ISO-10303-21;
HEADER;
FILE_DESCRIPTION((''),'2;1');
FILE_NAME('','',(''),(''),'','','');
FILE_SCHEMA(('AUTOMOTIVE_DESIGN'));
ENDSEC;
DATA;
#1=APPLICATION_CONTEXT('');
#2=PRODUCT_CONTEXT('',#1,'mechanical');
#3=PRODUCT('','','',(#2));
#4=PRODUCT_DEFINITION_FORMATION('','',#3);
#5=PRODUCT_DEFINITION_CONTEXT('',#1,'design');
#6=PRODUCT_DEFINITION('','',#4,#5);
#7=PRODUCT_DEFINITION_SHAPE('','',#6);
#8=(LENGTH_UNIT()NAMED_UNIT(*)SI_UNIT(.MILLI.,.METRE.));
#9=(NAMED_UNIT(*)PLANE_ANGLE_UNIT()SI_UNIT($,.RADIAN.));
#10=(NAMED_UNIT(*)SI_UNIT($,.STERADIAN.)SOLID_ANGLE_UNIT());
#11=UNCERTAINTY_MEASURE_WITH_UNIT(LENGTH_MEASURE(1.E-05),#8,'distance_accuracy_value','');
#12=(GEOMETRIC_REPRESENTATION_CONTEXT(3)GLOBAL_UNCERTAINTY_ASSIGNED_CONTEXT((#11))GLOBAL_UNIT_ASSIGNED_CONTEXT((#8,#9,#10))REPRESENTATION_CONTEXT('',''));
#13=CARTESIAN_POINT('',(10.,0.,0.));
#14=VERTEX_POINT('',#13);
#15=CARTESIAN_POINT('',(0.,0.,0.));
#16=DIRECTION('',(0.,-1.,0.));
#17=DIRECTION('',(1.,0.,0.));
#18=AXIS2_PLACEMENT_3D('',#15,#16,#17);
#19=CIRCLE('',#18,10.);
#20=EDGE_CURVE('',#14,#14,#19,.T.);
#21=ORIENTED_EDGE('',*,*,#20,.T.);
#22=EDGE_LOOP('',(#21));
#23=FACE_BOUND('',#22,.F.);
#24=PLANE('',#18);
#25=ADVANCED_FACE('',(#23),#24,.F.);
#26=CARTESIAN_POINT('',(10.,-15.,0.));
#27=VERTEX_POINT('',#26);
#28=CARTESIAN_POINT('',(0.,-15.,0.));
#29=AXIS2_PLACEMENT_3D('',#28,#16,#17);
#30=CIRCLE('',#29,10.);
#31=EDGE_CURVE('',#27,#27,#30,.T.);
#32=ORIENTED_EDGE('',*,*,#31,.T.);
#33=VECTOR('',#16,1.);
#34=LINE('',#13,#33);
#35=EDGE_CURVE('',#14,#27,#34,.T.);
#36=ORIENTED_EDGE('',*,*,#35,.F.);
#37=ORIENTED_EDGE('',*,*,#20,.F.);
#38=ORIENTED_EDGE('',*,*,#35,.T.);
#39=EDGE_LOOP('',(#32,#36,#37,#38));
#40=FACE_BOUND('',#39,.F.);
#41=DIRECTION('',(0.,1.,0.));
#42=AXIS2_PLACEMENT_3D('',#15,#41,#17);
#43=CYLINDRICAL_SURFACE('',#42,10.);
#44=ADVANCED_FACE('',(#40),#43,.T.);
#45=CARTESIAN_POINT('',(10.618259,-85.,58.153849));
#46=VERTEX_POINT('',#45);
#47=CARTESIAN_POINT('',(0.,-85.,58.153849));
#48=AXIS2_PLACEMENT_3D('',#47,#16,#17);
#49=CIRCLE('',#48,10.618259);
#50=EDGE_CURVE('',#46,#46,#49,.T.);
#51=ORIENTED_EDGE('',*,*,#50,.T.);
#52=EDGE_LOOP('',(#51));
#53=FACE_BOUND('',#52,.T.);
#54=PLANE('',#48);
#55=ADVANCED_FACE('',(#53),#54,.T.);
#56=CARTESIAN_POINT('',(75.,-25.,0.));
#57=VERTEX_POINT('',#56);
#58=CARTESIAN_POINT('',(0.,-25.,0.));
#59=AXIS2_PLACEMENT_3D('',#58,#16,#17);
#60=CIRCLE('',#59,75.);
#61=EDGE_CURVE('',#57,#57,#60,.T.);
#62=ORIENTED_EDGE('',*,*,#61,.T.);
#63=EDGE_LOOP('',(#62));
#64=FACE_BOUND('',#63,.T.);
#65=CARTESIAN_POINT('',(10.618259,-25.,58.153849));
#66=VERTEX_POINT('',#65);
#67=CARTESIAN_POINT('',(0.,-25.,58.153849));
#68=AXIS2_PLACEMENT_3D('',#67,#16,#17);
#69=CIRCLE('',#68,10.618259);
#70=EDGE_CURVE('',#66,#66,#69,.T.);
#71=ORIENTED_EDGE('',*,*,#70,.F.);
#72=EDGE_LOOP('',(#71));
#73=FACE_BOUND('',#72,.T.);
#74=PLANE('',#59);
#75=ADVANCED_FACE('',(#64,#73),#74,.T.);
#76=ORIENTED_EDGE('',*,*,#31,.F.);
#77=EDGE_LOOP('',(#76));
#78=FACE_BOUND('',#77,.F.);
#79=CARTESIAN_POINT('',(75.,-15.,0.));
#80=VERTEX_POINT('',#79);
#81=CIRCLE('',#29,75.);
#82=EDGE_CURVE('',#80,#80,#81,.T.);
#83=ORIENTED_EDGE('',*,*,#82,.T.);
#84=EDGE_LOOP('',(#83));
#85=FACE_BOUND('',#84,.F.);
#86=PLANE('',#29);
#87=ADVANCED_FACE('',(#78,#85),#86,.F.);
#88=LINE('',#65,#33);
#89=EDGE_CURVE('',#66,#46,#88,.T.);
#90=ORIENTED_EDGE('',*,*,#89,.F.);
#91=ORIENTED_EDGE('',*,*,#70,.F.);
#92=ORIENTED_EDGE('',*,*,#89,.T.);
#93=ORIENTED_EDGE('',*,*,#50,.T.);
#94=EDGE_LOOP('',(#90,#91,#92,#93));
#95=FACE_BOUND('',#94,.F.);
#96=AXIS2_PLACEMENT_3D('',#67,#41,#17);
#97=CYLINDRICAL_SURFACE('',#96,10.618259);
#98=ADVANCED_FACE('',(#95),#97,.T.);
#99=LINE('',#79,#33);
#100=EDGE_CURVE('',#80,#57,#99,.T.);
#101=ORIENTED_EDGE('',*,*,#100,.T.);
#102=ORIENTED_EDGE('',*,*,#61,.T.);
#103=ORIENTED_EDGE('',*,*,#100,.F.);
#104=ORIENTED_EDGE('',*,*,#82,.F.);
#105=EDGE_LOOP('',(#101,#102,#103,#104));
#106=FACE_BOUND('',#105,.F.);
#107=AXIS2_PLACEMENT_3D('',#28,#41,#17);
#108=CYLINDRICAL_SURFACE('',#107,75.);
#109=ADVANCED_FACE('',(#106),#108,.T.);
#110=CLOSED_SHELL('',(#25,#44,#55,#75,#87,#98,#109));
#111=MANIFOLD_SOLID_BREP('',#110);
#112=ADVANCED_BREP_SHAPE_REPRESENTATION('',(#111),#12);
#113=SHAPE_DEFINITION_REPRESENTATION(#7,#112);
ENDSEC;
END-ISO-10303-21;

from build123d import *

# Parameters (mm, degrees)
F0_R     = 10
F1_DEPTH = 15
F2_R     = 75
F3_DEPTH = 10
F4_R     = 10.618259
F5_DEPTH = 60


with BuildPart() as f1:
    # F0 (on Front) → F1 (new body)
    with BuildSketch(Plane.XZ):
        Circle(F0_R)
    extrude(amount=F1_DEPTH)

    # F2 (on face) → F3 (join)
    with BuildSketch(Plane.XZ.offset(15)):
        Circle(F2_R)
    extrude(amount=F3_DEPTH)

    # F4 (on face) → F5 (join)
    with BuildSketch(Plane.XZ.offset(25)):
        with Locations((0, 58.153849)):
            Circle(F4_R)
    extrude(amount=F5_DEPTH)


solid = f1.part
